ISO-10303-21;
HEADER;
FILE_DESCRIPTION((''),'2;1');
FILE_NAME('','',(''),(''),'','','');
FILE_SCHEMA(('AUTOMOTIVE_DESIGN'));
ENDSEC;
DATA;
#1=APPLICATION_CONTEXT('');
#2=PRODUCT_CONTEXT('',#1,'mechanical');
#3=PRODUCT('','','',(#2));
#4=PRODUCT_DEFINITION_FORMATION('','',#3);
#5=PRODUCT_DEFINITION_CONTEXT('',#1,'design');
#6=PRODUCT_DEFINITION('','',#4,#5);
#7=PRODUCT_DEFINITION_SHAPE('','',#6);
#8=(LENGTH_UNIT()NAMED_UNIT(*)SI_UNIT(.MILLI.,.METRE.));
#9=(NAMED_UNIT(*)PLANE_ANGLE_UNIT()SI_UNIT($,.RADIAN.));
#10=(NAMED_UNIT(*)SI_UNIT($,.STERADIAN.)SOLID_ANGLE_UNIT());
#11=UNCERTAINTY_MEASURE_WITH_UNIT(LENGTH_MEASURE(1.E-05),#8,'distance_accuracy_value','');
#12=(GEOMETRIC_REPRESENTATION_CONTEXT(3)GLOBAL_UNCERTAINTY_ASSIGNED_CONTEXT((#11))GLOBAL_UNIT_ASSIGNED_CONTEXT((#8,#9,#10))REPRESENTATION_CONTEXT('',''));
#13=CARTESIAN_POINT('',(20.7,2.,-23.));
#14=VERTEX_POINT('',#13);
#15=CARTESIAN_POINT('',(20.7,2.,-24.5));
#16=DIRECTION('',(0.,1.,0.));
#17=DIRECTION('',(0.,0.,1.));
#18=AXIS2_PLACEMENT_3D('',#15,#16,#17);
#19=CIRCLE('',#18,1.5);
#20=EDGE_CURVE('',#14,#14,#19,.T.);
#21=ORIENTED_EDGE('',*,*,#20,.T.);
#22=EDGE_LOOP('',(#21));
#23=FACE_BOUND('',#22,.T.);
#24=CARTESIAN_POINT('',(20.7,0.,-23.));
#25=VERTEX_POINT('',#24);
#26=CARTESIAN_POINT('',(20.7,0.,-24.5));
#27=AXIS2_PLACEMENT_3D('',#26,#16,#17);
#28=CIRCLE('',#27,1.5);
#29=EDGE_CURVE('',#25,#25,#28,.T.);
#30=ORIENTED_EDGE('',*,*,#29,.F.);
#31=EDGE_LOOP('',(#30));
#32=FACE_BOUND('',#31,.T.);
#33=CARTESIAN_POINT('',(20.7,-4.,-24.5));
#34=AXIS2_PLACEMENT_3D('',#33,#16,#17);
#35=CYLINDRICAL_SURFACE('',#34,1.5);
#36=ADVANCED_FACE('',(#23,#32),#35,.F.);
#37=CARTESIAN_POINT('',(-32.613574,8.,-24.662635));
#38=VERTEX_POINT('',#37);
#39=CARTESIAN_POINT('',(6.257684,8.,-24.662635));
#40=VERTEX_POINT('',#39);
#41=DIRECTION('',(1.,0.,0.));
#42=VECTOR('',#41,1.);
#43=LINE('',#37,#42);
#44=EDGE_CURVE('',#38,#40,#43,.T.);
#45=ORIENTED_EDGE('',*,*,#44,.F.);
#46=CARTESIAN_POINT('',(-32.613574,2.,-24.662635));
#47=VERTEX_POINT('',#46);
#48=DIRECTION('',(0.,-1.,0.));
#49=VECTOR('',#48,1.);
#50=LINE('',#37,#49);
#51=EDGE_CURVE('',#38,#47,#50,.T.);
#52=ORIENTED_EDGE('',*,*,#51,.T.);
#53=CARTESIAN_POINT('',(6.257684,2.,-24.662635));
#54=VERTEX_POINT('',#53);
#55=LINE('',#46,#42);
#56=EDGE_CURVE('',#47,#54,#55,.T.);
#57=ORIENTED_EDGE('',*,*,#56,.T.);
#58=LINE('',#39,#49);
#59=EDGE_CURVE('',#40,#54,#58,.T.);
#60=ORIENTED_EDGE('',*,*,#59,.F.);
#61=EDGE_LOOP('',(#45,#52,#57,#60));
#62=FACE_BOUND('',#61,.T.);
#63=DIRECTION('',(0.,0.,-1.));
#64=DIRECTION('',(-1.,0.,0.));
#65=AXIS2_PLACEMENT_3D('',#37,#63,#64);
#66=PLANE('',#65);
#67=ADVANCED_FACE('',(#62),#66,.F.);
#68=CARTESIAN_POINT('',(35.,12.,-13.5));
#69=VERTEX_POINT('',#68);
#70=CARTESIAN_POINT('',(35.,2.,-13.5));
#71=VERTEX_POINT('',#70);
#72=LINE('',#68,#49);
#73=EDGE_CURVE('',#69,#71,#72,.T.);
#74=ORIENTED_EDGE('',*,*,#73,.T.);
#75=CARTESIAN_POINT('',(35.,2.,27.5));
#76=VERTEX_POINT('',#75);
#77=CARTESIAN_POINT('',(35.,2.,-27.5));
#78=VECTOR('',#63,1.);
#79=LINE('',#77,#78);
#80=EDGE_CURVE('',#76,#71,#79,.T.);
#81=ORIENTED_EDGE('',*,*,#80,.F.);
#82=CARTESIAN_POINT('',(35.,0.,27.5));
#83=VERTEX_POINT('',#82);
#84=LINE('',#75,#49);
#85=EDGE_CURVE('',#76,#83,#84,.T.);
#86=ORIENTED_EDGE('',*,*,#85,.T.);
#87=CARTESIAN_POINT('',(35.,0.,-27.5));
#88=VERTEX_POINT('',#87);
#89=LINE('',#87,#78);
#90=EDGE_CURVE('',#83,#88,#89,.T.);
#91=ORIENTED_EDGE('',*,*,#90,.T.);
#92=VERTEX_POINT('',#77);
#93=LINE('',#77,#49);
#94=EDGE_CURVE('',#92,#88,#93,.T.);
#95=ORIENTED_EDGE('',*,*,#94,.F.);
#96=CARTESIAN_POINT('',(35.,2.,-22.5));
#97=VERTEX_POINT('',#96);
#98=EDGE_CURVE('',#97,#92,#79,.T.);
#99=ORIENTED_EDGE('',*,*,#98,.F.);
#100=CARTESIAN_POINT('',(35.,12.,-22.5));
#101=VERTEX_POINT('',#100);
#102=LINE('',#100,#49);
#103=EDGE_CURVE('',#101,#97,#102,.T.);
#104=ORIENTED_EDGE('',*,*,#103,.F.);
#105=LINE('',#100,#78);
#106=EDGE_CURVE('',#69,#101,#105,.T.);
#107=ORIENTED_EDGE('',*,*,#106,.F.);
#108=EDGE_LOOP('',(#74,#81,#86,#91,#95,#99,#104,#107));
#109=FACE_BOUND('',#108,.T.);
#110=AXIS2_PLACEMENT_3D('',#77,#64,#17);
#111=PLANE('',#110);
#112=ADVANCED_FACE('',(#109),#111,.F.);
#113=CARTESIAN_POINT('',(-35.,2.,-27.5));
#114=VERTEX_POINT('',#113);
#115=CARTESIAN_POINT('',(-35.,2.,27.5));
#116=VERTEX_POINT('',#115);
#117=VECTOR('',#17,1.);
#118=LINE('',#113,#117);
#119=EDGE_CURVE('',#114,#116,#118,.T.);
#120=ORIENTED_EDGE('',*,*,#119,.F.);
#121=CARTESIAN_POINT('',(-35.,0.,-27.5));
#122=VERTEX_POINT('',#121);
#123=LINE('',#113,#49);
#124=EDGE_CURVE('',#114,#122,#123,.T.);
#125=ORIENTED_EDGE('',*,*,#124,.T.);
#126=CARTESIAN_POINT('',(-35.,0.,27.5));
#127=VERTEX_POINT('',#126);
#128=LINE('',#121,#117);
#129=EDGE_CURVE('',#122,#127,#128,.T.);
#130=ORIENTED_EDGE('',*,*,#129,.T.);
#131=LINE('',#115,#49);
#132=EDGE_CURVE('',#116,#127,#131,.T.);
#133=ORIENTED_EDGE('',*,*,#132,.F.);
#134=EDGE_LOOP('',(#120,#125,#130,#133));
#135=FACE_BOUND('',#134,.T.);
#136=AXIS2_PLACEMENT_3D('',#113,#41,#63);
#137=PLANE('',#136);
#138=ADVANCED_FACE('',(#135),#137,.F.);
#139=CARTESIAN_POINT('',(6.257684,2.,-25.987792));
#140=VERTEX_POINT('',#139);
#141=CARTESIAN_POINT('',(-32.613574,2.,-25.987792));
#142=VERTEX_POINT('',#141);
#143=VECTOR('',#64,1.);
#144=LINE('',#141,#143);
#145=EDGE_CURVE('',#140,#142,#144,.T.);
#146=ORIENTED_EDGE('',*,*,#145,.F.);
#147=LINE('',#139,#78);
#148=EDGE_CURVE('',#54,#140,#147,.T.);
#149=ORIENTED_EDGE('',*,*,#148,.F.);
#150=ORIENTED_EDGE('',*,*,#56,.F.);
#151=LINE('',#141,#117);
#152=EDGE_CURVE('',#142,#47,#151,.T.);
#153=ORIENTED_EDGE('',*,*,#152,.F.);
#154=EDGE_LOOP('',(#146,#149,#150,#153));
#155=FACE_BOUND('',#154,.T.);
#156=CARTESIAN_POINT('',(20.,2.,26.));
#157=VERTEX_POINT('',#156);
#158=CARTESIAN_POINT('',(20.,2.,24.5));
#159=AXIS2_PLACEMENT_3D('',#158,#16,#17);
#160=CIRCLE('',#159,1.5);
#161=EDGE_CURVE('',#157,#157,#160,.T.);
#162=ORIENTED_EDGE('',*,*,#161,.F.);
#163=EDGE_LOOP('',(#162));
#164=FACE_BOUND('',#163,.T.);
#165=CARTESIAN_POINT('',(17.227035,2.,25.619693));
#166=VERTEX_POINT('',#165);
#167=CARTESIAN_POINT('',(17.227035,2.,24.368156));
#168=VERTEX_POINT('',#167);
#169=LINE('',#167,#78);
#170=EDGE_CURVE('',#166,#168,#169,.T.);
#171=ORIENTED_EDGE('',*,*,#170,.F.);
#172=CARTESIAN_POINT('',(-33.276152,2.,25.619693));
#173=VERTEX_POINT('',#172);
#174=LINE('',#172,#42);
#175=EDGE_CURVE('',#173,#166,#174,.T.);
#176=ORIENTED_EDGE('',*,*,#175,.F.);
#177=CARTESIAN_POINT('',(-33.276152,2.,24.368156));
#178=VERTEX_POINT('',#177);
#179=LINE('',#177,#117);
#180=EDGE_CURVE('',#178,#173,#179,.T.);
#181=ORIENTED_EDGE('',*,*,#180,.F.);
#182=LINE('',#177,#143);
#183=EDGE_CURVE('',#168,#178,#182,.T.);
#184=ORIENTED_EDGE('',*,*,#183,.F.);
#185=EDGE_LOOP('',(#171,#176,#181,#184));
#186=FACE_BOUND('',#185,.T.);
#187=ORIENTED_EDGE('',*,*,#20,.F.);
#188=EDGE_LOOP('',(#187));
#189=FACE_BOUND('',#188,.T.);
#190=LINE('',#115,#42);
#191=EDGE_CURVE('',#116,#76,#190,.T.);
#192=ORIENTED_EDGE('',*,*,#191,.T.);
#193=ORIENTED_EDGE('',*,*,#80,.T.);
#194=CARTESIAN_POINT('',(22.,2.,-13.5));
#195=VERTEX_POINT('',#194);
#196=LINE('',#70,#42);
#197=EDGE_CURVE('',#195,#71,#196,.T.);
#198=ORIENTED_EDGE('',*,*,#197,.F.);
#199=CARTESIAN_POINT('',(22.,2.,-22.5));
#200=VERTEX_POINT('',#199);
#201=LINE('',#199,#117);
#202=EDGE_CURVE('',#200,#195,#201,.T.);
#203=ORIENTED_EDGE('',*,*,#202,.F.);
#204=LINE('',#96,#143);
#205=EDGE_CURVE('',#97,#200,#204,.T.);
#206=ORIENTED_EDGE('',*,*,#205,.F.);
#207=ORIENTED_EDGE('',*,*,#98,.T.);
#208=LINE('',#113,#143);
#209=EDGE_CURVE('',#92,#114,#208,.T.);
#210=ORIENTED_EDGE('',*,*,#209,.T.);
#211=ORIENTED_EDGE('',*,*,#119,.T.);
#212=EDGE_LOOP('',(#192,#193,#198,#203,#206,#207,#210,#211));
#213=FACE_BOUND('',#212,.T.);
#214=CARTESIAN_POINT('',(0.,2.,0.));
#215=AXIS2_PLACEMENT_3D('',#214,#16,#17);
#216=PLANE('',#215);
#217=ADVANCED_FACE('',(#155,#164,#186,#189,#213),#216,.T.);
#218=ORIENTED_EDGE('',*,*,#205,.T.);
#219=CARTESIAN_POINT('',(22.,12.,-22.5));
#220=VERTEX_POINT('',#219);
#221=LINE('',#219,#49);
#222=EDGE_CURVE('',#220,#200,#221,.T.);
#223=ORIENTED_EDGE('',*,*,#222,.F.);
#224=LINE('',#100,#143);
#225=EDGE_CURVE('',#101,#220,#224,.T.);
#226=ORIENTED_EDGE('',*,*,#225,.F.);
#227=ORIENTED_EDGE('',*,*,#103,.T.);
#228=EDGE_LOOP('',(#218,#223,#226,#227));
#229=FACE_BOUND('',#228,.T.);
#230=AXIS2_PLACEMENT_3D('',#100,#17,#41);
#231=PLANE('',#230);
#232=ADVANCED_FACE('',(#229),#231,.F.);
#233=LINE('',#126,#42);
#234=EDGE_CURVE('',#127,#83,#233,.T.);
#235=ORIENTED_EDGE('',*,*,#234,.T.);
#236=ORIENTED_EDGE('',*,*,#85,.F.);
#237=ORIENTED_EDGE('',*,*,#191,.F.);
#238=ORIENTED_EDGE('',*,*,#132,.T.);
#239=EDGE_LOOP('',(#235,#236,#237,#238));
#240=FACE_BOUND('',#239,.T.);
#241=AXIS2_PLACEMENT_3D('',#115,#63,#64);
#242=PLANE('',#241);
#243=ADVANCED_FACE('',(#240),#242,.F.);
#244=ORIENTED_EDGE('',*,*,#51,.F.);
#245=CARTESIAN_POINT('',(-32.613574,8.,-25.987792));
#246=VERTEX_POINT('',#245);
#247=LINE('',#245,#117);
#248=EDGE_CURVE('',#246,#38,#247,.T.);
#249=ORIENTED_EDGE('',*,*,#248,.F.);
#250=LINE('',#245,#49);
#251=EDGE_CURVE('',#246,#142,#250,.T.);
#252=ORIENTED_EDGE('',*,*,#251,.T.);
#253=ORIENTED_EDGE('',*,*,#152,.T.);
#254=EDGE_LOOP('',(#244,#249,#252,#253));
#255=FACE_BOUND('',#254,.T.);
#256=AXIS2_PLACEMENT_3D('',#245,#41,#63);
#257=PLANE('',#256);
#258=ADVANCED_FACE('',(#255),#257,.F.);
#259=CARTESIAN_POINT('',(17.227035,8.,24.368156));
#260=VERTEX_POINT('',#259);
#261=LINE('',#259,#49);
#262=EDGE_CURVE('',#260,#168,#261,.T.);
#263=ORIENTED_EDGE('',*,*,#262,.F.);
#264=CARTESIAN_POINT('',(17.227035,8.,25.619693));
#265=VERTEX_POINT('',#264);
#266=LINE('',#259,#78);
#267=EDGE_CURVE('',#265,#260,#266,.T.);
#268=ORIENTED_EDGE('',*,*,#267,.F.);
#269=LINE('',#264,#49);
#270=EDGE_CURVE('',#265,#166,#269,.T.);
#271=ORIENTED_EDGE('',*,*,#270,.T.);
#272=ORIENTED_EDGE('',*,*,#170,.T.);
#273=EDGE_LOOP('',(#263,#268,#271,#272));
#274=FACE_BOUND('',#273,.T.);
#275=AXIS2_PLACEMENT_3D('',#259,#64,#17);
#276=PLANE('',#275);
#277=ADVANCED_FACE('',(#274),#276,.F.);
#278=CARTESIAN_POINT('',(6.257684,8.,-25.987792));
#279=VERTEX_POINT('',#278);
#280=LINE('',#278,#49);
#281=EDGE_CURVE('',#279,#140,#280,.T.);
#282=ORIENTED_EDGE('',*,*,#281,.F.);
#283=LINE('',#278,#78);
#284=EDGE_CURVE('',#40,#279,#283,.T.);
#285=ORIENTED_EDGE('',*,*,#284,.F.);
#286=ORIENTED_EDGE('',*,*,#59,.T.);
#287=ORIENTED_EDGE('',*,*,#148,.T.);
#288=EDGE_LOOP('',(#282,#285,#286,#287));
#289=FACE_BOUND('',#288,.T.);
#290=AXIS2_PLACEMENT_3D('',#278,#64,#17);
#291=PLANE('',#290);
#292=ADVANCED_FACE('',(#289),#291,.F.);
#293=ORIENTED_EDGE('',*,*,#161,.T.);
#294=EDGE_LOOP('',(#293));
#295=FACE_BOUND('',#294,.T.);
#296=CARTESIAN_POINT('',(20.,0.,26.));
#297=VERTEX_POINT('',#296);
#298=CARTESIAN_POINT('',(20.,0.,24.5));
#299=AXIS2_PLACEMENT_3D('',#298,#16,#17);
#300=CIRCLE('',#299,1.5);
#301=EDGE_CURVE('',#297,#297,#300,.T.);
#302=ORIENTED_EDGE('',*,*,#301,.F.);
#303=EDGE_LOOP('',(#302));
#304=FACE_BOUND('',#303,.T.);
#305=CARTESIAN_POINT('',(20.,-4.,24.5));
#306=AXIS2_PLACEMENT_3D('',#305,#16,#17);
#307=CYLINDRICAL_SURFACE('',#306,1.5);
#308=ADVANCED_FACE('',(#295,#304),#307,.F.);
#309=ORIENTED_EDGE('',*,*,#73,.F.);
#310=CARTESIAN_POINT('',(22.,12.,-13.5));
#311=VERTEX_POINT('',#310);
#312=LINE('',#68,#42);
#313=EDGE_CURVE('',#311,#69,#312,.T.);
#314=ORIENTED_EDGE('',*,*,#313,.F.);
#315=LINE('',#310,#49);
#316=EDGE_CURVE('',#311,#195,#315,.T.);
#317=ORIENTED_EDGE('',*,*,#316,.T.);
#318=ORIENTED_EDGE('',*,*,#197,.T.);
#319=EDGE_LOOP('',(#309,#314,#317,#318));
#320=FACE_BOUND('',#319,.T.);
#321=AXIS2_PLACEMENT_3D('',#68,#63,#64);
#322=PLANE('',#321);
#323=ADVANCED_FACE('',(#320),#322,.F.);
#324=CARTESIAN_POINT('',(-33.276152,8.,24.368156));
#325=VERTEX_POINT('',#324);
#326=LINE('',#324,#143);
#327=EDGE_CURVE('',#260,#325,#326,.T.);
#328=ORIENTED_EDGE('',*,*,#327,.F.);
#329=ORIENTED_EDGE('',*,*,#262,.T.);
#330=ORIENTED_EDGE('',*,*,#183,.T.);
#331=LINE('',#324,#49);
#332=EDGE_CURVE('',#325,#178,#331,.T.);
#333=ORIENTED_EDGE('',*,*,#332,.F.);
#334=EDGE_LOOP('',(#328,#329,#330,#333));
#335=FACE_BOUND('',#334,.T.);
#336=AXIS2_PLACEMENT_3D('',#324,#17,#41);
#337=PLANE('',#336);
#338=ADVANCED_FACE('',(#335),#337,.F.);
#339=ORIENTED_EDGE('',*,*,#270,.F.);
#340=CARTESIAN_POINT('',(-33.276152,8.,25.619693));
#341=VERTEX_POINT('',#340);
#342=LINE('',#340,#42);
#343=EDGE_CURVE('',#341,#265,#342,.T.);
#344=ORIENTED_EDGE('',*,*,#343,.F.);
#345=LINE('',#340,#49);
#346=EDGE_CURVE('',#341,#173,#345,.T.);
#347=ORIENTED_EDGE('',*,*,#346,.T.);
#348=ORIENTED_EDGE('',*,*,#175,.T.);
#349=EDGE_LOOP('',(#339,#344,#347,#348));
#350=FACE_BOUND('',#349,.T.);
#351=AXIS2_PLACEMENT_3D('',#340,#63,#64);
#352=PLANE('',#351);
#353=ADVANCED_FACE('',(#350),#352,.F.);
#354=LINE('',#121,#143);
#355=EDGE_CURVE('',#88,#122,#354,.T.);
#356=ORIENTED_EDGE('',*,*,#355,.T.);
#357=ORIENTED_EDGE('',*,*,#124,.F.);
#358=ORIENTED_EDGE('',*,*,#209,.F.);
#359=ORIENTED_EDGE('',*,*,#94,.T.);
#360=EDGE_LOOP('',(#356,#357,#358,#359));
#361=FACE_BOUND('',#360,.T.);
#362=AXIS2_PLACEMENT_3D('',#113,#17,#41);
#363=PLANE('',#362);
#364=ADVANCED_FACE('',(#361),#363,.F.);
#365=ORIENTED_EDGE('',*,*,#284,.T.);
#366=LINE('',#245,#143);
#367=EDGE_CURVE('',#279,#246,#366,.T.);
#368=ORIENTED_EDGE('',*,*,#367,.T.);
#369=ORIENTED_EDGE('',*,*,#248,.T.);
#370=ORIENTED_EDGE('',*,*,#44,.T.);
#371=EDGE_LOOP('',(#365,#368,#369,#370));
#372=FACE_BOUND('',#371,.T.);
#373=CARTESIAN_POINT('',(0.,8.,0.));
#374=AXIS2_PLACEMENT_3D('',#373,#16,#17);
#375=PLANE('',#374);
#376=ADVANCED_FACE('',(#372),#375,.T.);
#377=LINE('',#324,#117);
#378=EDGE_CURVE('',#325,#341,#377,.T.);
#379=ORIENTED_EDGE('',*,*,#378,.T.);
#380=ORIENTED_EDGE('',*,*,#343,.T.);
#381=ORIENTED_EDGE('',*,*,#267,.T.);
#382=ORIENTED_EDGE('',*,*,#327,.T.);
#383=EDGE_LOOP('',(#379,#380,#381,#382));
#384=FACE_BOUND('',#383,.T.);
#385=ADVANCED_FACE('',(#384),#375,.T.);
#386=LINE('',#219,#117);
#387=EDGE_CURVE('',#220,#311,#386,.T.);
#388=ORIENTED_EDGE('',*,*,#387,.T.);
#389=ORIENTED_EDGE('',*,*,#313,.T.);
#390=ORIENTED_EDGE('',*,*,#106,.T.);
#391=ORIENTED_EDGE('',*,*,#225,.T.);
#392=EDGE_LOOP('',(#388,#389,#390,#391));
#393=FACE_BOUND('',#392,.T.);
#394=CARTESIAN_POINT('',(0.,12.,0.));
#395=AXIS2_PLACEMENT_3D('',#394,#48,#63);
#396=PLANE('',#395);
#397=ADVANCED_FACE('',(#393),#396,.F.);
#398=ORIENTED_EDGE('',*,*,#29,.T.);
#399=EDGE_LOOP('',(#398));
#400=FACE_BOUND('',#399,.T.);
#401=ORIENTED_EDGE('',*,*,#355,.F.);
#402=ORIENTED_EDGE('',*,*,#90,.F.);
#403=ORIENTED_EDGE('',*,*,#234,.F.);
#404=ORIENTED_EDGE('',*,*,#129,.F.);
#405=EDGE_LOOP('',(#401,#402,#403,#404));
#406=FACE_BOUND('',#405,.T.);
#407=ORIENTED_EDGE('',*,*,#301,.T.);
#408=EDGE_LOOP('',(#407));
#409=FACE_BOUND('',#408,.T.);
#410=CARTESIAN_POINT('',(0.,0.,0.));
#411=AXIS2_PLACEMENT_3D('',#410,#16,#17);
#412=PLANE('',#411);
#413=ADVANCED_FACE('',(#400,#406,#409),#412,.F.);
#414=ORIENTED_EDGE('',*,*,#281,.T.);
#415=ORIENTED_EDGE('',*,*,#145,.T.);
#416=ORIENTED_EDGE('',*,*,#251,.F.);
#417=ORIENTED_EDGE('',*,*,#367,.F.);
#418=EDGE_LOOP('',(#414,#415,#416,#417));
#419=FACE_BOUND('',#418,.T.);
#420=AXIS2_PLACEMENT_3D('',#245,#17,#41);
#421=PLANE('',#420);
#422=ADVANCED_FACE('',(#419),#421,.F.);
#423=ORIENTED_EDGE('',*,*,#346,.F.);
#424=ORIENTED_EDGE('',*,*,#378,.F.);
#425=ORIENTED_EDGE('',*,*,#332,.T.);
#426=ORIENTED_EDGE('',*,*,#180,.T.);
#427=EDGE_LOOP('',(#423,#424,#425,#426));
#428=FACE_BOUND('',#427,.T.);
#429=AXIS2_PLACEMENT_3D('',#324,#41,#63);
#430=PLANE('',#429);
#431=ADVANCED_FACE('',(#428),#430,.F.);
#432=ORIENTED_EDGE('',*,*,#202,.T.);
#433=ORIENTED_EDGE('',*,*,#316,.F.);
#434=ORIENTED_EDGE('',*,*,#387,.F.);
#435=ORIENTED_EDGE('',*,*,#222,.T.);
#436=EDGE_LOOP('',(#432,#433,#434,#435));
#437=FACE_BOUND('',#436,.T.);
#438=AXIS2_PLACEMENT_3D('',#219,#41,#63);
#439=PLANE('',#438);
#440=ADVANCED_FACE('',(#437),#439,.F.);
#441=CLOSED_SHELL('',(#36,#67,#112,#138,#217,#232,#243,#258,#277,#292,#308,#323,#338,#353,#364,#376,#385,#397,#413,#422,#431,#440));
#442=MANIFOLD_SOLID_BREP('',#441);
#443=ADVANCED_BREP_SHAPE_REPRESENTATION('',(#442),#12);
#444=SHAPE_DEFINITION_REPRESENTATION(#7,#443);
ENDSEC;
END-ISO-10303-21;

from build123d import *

# Parameters (mm, degrees)
ESQUISSE2_W             = 70
ESQUISSE2_H             = 55
BOSS_EXTRU_1_DEPTH      = 2
ESQUISSE3_W             = 13
ESQUISSE3_H             = 9
BOSS_EXTRU_2_DEPTH      = 10
ESQUISSE4_W             = 38.871257781
ESQUISSE4_H             = 1.325156515
ESQUISSE4_W_2           = 50.503187194
ESQUISSE4_H_2           = 1.251536709
BOSS_EXTRU_3_DEPTH      = 6
ESQUISSE5_R             = 1.5
ENL_V_MAT_EXTRU_1_DEPTH = 6
ESQUISSE6_R             = 1.5
ENL_V_MAT_EXTRU_2_DEPTH = 6


with BuildPart() as part:
    # Esquisse2 → Boss.-Extru.1 (new body)
    with BuildSketch(Plane(origin=(0, 0, 0), x_dir=(1, 0, 0), z_dir=(0, 1, 0))):
        Rectangle(ESQUISSE2_W, ESQUISSE2_H)
    extrude(amount=BOSS_EXTRU_1_DEPTH)

    # Esquisse3 → Boss.-Extru.2 (add)
    with BuildSketch(Plane(origin=(0, 2, 0), x_dir=(1, 0, 0), z_dir=(0, 1, 0))):
        with Locations((28.5, 18)):
            Rectangle(ESQUISSE3_W, ESQUISSE3_H)
    extrude(amount=BOSS_EXTRU_2_DEPTH)

    # Esquisse4 → Boss.-Extru.3 (add)
    with BuildSketch(Plane(origin=(0, 2, 0), x_dir=(1, 0, 0), z_dir=(0, 1, 0))):
        with Locations((-13.177945346, 25.325213404)):
            Rectangle(ESQUISSE4_W, ESQUISSE4_H)
        with Locations((-8.024558898, -24.993924275)):
            Rectangle(ESQUISSE4_W_2, ESQUISSE4_H_2)
    extrude(amount=BOSS_EXTRU_3_DEPTH)

    # Esquisse5 → Enlèv. mat.-Extru.1 (cut)
    with BuildSketch(Plane(origin=(0, 2, 0), x_dir=(1, 0, 0), z_dir=(0, 1, 0))):
        with Locations(Location((20, -24.5, 0), (0, 0, 270))):
            Circle(ESQUISSE5_R)
    extrude(amount=-ENL_V_MAT_EXTRU_1_DEPTH, mode=Mode.SUBTRACT)

    # Esquisse6 → Enlèv. mat.-Extru.2 (cut)
    with BuildSketch(Plane(origin=(0, 2, 0), x_dir=(1, 0, 0), z_dir=(0, 1, 0))):
        with Locations(Location((20.7, 24.5, 0), (0, 0, 270))):
            Circle(ESQUISSE6_R)
    extrude(amount=-ENL_V_MAT_EXTRU_2_DEPTH, mode=Mode.SUBTRACT)


solid = part.part
